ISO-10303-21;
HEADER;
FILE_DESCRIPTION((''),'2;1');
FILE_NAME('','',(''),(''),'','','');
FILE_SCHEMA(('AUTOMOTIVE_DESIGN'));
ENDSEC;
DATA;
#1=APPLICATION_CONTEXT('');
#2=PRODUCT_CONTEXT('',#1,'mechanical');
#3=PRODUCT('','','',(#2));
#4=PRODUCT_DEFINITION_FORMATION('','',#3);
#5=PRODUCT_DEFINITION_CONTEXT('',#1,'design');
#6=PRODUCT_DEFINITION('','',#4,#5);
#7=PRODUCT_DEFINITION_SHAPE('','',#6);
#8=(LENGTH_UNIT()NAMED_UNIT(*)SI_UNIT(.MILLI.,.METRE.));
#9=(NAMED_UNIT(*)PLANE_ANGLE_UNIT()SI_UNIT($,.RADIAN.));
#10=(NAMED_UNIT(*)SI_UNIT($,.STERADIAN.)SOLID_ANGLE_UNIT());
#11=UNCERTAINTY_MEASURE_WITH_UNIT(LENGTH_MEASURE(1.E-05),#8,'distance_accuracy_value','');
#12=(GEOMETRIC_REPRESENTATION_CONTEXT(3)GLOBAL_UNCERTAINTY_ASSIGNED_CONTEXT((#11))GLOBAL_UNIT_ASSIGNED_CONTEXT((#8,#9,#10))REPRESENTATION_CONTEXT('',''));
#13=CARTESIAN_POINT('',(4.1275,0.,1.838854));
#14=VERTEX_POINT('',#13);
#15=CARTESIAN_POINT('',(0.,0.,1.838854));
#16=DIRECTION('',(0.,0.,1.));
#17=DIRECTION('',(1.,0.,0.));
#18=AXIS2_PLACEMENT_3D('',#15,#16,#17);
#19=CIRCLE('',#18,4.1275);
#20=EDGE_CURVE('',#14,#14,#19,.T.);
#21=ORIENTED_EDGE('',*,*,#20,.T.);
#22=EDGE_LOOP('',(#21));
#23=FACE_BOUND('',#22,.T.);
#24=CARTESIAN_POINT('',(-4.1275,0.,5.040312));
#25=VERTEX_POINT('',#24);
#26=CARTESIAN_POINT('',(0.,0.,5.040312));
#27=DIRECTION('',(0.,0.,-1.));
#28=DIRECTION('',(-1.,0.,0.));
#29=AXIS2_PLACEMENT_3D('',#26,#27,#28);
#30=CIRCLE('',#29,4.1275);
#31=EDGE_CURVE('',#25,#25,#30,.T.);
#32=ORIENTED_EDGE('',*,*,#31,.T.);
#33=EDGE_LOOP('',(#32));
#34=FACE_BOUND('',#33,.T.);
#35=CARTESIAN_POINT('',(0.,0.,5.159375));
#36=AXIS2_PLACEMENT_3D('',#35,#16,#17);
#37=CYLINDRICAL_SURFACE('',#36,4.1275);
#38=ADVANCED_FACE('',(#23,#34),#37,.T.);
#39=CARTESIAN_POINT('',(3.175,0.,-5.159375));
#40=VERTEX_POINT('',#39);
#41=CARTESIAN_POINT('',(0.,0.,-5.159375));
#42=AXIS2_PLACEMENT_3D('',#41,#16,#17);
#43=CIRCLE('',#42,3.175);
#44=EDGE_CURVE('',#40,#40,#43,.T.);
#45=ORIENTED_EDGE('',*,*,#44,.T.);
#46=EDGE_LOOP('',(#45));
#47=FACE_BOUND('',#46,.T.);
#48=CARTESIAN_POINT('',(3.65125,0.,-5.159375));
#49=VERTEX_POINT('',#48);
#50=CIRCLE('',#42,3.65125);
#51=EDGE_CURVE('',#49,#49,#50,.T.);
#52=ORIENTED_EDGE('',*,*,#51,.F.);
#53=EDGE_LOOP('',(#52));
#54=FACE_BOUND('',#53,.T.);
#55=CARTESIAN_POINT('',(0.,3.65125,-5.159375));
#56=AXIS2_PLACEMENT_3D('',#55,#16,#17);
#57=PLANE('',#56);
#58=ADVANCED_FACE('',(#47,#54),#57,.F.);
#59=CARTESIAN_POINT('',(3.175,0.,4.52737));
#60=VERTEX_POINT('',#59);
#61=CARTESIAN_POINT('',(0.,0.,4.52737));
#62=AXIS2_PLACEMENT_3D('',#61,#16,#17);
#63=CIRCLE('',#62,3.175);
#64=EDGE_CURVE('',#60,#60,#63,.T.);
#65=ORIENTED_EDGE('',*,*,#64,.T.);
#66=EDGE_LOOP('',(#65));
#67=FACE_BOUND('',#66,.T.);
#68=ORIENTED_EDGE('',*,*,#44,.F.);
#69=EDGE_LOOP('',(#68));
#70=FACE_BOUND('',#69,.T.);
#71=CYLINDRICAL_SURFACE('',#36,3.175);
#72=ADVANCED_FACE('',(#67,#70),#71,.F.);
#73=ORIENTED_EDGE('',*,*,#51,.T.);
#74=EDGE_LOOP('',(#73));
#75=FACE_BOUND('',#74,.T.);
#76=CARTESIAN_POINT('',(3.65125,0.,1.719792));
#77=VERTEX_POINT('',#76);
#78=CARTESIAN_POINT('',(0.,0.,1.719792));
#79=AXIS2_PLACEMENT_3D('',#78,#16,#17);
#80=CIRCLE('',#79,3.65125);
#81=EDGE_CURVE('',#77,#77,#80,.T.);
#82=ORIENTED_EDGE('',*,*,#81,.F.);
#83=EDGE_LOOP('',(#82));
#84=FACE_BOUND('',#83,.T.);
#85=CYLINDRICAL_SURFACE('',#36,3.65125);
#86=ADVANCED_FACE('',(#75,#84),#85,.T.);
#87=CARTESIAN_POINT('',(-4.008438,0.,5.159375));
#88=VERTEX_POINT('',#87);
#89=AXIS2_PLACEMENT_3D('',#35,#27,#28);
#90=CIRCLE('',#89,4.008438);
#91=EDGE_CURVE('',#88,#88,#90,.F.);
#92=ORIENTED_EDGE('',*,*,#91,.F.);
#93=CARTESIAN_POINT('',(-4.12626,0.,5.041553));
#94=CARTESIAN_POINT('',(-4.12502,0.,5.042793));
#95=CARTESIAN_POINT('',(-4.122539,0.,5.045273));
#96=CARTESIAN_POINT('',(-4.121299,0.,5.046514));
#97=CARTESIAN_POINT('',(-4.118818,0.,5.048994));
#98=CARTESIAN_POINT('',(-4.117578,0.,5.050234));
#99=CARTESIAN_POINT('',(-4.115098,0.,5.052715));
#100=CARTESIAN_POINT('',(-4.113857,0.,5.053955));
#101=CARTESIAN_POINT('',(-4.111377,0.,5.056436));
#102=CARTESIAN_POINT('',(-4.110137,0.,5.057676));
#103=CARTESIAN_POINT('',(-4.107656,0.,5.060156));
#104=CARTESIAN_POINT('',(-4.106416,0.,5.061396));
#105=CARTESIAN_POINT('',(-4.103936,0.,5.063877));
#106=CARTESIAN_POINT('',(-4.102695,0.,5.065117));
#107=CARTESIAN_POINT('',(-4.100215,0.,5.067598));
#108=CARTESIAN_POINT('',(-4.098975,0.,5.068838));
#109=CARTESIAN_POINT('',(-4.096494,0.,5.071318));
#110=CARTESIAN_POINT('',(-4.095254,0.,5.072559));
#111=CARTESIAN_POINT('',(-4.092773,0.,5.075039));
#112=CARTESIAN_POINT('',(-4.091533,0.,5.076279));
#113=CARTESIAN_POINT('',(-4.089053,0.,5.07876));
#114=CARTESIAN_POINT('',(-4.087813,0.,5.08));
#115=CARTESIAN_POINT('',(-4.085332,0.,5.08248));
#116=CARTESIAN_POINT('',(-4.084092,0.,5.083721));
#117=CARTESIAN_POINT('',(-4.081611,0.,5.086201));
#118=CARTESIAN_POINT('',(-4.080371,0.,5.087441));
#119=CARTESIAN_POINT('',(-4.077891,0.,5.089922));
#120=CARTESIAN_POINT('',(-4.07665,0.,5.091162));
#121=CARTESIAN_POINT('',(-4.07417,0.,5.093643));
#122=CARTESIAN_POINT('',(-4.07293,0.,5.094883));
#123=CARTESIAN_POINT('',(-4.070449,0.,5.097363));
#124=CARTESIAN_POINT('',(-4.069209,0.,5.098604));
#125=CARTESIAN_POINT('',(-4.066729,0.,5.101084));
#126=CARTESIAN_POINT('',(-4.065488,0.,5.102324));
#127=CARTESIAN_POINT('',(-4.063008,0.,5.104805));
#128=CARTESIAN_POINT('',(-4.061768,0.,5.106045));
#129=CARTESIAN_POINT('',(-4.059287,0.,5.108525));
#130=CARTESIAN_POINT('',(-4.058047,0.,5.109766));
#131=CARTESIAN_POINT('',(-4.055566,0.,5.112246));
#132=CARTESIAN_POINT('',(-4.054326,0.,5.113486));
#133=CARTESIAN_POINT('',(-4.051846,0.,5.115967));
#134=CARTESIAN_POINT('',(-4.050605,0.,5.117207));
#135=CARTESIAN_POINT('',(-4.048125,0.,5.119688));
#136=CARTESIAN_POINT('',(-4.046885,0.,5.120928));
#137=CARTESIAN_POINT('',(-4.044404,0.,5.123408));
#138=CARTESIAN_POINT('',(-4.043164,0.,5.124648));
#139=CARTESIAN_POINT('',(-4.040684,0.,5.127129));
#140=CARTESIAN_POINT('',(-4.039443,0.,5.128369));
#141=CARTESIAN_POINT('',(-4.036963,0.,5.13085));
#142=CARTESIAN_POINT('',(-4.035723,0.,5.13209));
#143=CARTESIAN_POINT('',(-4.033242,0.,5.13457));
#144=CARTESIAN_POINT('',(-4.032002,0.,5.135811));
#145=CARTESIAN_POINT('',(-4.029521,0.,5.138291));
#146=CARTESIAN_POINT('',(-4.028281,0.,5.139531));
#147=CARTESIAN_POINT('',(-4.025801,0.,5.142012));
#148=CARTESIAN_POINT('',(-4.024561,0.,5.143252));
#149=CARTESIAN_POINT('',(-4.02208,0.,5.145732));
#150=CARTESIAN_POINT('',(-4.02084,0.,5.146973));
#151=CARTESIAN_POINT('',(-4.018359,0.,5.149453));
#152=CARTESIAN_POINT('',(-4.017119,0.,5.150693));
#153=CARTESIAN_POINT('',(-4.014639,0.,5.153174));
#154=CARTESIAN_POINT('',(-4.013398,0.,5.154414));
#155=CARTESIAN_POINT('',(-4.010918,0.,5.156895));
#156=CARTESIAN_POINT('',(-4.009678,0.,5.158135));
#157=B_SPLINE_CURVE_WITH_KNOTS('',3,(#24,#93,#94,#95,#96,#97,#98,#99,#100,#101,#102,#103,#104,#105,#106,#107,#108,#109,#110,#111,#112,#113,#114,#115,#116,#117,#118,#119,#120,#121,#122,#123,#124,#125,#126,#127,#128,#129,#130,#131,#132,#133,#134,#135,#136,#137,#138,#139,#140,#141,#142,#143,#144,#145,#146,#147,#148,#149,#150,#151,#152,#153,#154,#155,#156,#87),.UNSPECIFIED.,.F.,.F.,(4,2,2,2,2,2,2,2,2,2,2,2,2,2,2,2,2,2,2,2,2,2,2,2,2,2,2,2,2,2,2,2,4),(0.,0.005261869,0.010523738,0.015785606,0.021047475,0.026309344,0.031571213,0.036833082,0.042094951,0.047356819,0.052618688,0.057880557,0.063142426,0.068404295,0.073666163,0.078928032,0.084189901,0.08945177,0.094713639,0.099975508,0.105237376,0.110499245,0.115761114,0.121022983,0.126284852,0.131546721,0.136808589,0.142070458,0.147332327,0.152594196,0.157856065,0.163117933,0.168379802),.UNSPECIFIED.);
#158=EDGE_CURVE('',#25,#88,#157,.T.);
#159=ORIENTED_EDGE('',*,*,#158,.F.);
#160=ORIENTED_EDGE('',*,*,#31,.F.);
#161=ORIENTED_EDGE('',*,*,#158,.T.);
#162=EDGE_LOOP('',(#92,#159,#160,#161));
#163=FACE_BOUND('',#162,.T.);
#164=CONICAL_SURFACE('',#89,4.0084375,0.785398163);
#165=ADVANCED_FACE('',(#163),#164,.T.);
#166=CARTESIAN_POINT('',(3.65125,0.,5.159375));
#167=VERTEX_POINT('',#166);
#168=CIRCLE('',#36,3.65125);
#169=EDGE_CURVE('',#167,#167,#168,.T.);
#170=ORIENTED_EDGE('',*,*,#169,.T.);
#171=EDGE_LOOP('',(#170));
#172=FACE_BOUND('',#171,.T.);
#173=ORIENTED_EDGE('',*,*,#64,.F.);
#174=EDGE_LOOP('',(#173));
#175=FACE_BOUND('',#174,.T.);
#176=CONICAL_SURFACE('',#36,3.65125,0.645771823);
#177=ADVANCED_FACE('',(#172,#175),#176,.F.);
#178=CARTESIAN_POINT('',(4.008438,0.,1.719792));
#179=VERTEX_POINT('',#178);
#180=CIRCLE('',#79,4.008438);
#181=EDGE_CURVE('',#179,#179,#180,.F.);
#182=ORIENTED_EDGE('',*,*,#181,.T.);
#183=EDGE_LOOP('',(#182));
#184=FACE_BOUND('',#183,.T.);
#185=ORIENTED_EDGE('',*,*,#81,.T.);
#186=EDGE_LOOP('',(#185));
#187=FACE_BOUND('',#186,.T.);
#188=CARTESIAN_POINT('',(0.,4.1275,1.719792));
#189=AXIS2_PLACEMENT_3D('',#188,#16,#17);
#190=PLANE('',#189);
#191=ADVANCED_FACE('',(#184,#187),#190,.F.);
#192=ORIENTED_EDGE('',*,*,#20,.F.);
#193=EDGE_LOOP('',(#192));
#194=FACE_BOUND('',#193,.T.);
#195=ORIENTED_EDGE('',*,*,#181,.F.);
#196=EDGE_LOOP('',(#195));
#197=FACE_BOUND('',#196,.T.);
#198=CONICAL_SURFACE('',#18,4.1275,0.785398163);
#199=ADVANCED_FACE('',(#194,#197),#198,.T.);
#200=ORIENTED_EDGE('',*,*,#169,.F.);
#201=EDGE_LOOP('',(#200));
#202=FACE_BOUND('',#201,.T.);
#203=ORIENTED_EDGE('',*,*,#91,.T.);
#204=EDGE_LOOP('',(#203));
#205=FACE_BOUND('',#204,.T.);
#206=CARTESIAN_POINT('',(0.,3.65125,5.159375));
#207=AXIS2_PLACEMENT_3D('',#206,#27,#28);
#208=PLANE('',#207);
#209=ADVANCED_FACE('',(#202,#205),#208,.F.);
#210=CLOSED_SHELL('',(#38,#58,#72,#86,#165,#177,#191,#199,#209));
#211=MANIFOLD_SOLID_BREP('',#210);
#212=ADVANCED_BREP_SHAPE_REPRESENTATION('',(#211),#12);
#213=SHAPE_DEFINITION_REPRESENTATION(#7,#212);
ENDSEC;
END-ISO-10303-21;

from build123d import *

# Parameters (mm, degrees)
CHAMFER1_SIZE = 0.1190625


with BuildPart() as part:
    # Sketch2 → Revolve1 (revolve)
    with BuildSketch(Plane(origin=(0, 0, 0), x_dir=(0, 0, -1), z_dir=(1, 0, 0)), mode=Mode.PRIVATE) as revolve1_sk:
        Polygon((-4.527369904, 3.175), (-5.159375, 3.65125), (-5.159375, 4.1275), (-1.719791667, 4.1275), (-1.719791667, 3.65125), (5.159375, 3.65125), (5.159375, 3.175), align=None)
    revolve(revolve1_sk.sketch.rotate(Axis((0, 0, 5.159375), (0, 0, -1)), 90), axis=Axis((0, 0, 5.159375), (0, 0, -1)))

    # Chamfer1
    chamfer1_edges = [part.edges().sort_by_distance(p)[0] for p in [
        (-4.1275, 0, 1.719791667),
        (-4.1275, 0, 5.159375),
    ]]
    chamfer(chamfer1_edges, length=CHAMFER1_SIZE)


solid = part.part
